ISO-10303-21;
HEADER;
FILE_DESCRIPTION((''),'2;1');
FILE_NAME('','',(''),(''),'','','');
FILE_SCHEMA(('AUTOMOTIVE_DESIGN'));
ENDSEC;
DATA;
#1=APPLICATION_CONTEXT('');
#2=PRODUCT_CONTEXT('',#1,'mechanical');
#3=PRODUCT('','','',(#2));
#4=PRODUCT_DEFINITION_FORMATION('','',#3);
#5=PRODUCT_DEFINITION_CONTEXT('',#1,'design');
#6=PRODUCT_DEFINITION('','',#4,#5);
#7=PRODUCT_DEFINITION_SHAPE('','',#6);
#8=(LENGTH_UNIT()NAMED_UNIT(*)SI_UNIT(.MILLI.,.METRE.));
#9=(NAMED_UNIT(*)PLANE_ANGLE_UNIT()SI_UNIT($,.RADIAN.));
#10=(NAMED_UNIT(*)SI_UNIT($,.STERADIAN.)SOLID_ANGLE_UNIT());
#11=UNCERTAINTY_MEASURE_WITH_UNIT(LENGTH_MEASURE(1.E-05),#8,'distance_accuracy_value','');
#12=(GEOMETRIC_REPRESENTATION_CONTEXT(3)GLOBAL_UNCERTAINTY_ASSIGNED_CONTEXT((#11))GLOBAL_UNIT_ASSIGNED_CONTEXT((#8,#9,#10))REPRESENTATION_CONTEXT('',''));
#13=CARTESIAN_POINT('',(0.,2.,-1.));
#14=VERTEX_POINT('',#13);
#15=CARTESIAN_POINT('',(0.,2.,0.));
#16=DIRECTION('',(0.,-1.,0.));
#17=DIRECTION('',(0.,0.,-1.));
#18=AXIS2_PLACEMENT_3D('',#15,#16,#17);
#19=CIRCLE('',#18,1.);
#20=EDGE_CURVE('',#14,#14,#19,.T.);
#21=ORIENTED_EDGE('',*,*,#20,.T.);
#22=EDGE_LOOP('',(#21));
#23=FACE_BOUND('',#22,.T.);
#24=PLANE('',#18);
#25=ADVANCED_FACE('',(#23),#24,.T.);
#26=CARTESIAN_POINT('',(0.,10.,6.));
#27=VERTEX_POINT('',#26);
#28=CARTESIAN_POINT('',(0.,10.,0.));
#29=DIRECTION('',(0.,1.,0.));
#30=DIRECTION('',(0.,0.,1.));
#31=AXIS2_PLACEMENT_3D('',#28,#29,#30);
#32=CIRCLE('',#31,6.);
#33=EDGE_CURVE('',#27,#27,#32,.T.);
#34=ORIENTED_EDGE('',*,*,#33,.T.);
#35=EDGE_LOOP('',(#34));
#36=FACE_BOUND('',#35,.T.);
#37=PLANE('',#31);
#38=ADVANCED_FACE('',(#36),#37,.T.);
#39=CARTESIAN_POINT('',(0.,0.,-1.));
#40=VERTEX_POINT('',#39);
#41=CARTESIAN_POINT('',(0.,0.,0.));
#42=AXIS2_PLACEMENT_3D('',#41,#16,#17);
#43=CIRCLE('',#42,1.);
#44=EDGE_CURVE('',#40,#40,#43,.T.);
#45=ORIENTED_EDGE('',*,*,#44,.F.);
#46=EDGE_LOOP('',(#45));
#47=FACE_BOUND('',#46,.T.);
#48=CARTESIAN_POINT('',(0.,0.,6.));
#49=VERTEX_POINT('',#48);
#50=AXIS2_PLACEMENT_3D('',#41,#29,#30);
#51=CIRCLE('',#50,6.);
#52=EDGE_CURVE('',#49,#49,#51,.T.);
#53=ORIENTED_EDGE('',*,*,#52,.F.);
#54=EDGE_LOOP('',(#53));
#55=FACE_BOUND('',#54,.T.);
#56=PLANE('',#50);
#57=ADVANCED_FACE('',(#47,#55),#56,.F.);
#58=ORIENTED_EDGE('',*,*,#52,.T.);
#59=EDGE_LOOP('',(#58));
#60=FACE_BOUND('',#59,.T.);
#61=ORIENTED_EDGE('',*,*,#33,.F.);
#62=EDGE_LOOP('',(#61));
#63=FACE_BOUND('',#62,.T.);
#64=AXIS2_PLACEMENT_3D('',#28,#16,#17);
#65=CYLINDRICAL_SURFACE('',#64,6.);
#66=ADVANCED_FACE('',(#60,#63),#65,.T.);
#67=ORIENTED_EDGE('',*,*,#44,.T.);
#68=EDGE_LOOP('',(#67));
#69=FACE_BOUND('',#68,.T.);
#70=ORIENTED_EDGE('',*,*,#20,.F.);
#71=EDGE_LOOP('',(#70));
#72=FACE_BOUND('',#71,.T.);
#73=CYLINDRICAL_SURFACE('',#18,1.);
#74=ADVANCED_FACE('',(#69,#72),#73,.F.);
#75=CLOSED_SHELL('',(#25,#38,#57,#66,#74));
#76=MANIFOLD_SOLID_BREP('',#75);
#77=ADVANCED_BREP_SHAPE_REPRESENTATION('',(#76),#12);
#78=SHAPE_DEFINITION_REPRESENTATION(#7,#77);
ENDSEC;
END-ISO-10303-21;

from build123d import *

# Parameters (mm, degrees)
SKETCH1_R           = 6
BOSS_EXTRUDE1_DEPTH = 10
SKETCH2_R           = 1
CUT_EXTRUDE1_DEPTH  = 2


with BuildPart() as part:
    # Sketch1 → Boss-Extrude1 (new body)
    with BuildSketch(Plane(origin=(0, 0, 0), x_dir=(1, 0, 0), z_dir=(0, 1, 0))):
        with Locations(Location((0, 0, 0), (0, 0, 270))):
            Circle(SKETCH1_R)
    extrude(amount=BOSS_EXTRUDE1_DEPTH)

    # Sketch2 → Cut-Extrude1 (cut)
    with BuildSketch(Plane.XZ):
        with Locations(Location((0, 0, 0), (0, 0, 270))):
            Circle(SKETCH2_R)
    extrude(amount=-CUT_EXTRUDE1_DEPTH, mode=Mode.SUBTRACT)


solid = part.part
